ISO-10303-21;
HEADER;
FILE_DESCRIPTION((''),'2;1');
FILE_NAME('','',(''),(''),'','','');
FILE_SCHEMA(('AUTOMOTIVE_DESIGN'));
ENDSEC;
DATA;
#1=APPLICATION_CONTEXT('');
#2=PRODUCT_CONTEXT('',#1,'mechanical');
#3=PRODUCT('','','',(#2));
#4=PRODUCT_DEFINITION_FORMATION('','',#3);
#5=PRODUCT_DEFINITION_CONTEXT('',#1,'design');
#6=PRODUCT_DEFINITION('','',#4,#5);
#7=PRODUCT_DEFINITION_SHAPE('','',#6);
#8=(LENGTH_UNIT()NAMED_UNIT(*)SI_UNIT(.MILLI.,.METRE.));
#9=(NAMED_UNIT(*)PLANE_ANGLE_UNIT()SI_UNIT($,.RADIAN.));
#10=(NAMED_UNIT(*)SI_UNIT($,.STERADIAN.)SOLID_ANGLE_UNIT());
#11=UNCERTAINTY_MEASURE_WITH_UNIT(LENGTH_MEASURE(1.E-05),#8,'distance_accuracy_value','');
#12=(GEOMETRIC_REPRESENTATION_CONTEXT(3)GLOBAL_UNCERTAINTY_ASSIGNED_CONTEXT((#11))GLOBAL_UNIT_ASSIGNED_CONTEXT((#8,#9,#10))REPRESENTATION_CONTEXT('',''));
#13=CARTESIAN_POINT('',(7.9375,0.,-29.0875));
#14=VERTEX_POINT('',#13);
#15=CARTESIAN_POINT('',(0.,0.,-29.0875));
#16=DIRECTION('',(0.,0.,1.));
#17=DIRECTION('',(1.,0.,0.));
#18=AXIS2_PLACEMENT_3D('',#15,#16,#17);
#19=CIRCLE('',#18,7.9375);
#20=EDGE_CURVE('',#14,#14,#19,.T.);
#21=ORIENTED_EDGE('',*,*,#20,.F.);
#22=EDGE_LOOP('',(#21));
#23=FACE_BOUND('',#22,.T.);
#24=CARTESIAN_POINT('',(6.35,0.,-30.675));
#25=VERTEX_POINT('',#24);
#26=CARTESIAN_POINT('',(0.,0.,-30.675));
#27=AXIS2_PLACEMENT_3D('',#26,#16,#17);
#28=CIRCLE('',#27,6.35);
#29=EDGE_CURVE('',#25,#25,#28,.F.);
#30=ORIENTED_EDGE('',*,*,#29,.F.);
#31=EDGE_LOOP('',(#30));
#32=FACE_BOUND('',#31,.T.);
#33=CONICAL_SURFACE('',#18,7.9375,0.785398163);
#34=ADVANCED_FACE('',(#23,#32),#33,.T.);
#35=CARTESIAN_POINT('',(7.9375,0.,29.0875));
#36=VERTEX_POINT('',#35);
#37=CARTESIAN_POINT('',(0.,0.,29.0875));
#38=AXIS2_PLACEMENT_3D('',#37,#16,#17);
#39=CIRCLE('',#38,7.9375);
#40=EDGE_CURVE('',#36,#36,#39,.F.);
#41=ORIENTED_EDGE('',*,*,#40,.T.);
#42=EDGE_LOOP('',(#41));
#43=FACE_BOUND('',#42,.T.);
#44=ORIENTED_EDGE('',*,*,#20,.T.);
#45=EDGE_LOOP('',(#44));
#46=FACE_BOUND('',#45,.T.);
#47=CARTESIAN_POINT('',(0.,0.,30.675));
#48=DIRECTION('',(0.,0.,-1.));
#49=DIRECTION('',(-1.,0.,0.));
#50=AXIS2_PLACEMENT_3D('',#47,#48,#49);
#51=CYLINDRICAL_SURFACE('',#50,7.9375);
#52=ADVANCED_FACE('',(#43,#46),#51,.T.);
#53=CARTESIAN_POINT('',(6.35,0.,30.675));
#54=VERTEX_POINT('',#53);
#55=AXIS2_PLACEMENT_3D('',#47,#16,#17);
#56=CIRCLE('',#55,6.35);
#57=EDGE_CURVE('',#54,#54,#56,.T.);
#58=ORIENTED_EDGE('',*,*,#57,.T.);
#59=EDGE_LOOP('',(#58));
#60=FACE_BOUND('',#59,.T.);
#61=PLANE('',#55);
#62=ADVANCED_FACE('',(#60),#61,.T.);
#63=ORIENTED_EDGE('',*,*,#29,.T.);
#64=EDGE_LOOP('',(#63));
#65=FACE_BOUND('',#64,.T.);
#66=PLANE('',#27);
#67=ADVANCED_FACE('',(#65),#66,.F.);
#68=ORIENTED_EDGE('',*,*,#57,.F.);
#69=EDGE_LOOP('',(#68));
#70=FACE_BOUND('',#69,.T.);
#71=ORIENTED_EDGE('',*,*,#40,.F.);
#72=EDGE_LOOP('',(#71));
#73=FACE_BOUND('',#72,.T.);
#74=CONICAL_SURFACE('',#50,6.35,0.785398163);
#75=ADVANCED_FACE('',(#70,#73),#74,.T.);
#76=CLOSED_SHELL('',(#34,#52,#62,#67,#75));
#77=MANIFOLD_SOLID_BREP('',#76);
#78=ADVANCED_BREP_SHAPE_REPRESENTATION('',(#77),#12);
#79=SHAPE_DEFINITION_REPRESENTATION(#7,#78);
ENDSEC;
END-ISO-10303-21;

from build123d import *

# Parameters (mm, degrees)
SKETCH3_R           = 7.9375
BOSS_EXTRUDE1_DEPTH = 30.675
CHAMFER1_SIZE       = 1.5875


with BuildPart() as part:
    # Sketch3 → Boss-Extrude1 (new body, symmetric)
    with BuildSketch(Plane.XY):
        Circle(SKETCH3_R)
    extrude(amount=BOSS_EXTRUDE1_DEPTH, both=True)

    # Chamfer1
    chamfer1_edges = [part.edges().sort_by_distance(p)[0] for p in [
        (-7.9375, 0, -30.675),
        (-7.9375, 0, 30.675),
    ]]
    chamfer(chamfer1_edges, length=CHAMFER1_SIZE)


solid = part.part
